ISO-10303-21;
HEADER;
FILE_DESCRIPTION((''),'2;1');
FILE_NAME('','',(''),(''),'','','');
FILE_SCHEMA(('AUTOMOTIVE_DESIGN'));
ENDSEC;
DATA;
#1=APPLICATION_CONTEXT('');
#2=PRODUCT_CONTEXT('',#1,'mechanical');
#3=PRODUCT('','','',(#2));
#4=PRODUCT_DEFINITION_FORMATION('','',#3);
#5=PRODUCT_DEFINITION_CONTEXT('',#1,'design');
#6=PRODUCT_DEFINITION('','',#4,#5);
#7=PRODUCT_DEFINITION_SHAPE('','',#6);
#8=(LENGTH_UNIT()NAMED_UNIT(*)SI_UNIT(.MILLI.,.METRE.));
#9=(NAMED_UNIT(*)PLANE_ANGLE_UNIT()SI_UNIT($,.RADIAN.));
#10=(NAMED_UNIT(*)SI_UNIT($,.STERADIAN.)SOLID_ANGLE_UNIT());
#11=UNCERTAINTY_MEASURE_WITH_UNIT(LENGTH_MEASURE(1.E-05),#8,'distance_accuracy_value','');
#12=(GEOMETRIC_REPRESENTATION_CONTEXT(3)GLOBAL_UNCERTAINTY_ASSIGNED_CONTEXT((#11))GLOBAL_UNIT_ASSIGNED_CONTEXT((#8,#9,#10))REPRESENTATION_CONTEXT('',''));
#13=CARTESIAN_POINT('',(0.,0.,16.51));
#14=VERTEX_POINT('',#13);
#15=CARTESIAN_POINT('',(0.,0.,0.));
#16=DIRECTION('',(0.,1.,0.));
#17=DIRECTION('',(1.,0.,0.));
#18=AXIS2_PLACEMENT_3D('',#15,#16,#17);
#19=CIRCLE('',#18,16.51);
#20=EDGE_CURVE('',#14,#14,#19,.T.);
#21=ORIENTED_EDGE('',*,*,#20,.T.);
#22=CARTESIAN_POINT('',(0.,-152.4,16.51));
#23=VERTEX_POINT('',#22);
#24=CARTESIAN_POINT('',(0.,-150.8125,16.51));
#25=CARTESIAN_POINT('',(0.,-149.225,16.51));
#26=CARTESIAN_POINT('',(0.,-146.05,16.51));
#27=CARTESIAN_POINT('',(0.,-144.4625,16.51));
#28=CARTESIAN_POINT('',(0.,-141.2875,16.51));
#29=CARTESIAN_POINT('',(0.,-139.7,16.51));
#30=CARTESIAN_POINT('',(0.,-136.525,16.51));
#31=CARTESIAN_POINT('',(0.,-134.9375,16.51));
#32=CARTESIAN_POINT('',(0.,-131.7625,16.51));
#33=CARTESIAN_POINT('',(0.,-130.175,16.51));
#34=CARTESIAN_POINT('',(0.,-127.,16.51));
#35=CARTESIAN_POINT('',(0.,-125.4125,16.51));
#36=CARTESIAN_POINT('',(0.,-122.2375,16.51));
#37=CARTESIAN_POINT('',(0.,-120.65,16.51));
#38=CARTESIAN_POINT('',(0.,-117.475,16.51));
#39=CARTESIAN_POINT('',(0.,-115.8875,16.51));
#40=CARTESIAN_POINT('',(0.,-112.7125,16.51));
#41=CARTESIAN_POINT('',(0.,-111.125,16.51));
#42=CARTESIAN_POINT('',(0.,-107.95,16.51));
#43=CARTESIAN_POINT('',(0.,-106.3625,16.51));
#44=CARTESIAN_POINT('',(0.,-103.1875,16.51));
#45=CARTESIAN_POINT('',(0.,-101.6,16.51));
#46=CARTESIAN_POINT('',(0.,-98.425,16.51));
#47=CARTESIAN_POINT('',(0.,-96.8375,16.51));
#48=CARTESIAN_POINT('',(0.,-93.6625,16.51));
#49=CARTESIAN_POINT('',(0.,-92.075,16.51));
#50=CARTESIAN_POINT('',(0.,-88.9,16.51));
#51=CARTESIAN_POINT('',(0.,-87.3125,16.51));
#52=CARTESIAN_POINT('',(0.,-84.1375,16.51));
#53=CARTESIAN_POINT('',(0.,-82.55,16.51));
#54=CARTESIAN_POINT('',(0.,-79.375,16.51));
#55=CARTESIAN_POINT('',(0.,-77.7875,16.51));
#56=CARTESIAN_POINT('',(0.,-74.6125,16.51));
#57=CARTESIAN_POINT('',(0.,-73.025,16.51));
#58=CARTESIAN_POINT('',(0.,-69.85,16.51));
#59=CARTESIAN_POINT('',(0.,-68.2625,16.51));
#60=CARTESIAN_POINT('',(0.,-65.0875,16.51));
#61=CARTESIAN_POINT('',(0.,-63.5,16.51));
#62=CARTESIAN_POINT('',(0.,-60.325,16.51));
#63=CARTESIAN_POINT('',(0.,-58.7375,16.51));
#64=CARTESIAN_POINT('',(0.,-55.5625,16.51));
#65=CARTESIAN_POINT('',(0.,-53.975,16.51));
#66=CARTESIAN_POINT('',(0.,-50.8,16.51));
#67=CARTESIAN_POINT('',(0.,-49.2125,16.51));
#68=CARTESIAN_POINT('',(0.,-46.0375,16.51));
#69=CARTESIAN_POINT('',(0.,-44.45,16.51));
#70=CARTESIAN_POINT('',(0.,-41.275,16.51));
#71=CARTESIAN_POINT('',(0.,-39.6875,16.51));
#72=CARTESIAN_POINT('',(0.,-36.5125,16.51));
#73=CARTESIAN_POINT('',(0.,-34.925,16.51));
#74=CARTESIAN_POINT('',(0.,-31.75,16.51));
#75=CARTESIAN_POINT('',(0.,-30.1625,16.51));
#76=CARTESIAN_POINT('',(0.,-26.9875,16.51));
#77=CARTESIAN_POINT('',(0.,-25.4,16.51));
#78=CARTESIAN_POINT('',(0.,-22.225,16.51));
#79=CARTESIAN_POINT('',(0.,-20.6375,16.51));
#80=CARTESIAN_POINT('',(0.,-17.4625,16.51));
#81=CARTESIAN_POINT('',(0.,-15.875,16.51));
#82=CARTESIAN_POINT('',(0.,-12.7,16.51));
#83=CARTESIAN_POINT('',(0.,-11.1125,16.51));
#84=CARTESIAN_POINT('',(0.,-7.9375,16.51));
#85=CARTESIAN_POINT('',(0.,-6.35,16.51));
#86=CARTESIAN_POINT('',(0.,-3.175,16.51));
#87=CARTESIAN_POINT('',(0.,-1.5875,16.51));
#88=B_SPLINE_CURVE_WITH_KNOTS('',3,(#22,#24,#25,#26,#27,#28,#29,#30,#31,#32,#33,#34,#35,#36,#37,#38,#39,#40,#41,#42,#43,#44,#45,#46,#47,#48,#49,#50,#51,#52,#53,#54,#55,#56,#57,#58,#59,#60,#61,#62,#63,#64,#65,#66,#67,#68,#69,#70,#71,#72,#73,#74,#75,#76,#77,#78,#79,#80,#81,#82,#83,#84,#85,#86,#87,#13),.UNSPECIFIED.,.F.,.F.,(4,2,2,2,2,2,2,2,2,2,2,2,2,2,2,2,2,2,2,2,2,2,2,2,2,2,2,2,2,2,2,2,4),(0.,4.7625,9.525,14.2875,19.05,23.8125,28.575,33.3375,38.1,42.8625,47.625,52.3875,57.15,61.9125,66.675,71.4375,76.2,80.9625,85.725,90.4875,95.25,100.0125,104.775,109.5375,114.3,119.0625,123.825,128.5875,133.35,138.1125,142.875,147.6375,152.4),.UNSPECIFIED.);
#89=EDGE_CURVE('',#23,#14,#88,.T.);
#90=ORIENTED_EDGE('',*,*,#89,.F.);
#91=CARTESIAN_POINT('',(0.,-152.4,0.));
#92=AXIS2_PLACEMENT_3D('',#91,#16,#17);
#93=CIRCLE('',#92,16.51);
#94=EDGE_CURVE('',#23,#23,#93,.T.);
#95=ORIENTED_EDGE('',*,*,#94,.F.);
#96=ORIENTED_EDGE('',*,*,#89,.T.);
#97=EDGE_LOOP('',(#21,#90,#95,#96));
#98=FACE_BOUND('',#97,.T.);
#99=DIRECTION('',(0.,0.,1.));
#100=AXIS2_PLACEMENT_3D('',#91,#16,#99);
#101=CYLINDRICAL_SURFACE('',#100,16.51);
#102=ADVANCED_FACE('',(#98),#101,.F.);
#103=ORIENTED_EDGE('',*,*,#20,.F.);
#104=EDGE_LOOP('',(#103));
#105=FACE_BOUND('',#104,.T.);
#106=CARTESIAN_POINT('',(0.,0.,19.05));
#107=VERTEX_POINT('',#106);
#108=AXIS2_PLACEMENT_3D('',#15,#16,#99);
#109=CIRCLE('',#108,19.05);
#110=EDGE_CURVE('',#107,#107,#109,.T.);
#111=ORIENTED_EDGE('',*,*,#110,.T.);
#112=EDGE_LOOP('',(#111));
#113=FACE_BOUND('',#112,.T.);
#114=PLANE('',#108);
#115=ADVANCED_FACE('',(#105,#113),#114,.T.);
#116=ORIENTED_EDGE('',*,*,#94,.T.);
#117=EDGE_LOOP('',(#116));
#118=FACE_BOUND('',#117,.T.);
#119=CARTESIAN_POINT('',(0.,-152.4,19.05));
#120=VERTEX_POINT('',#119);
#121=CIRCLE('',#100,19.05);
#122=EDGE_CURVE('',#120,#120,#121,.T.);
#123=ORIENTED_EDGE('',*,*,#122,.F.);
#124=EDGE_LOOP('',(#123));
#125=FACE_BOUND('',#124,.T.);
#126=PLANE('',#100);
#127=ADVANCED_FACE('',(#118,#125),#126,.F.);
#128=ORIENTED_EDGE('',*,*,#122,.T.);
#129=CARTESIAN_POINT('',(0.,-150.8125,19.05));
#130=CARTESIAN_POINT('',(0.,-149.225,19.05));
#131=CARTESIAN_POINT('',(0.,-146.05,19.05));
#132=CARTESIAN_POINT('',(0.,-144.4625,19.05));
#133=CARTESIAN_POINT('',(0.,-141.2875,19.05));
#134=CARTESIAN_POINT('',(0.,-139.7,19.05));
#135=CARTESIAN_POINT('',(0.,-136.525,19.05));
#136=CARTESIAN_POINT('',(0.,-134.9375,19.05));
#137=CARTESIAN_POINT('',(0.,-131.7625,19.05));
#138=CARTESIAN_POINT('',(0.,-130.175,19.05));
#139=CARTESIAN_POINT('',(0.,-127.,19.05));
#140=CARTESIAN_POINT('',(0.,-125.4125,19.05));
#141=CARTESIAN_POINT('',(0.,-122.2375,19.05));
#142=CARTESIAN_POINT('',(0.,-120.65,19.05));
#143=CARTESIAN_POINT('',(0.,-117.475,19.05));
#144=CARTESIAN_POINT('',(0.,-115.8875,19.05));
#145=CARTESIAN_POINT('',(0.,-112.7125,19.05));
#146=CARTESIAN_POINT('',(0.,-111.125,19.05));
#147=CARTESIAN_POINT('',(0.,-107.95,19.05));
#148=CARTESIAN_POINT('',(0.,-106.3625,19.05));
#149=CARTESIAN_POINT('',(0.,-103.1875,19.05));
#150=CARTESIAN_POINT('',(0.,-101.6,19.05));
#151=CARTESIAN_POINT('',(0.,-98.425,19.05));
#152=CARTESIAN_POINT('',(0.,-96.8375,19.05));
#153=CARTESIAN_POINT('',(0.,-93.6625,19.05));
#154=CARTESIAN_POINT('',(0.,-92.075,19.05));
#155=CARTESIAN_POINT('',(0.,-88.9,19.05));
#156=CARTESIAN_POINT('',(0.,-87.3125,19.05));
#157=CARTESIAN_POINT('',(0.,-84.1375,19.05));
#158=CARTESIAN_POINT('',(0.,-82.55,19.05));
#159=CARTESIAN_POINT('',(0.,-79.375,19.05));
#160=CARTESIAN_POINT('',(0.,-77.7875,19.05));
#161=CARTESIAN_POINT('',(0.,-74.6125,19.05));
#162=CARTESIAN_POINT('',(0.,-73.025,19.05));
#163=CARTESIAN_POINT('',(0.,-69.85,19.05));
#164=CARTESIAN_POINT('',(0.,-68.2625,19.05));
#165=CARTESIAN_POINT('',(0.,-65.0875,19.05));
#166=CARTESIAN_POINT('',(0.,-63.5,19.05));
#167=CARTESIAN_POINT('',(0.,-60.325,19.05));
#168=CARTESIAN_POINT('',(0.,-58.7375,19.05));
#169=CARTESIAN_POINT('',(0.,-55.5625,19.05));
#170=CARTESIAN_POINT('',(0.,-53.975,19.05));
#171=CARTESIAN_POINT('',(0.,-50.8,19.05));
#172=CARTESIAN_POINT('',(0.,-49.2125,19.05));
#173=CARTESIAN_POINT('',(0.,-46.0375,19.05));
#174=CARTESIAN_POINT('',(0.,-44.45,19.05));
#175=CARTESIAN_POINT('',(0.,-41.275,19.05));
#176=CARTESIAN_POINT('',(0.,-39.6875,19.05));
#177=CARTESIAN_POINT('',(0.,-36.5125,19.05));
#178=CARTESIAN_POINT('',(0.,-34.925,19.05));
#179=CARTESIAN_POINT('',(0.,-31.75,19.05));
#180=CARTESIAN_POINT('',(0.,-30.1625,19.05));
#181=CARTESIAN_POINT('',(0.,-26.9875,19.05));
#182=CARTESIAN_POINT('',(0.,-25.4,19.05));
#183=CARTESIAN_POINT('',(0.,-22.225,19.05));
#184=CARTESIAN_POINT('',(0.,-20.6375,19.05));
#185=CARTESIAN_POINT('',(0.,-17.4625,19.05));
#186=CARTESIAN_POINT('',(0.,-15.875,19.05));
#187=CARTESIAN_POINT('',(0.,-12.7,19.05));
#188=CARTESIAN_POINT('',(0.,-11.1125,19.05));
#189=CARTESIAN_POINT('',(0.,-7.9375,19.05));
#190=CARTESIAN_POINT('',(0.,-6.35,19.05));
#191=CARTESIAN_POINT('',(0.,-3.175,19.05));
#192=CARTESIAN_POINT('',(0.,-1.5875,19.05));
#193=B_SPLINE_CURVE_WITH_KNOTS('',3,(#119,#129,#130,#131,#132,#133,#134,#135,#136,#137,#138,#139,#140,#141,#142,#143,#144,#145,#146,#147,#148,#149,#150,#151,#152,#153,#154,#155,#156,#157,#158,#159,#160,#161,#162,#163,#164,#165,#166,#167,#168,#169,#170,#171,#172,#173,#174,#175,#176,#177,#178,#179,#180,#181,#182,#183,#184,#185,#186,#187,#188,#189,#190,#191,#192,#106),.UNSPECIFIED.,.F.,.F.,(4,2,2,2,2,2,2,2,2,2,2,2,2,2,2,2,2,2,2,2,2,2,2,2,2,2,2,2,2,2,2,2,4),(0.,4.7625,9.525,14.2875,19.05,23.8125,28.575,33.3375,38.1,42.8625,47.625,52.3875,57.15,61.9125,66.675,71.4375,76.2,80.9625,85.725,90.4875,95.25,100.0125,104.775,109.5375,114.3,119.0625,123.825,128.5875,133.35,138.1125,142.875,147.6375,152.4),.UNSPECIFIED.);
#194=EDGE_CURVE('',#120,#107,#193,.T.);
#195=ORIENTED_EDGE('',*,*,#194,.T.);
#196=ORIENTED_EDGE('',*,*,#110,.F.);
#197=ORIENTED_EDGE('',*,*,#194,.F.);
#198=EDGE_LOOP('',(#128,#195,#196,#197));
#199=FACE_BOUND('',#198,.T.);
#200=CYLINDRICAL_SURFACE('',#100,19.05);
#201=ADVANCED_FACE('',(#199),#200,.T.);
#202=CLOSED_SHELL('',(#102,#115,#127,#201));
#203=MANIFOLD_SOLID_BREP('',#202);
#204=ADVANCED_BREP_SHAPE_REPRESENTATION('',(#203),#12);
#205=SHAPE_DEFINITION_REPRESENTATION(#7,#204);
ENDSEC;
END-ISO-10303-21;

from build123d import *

# Parameters (mm, degrees)
SKETCH1_R           = 19.05
SKETCH1_R_2         = 16.51
EXTRUDE_THIN1_DEPTH = 152.4


with BuildPart() as part:
    # Sketch1 → Extrude-Thin1 (new body)
    with BuildSketch(Plane(origin=(0, 0, 0), x_dir=(1, 0, 0), z_dir=(0, 1, 0))):
        Circle(SKETCH1_R)
        Circle(SKETCH1_R_2, mode=Mode.SUBTRACT)
    extrude(amount=-EXTRUDE_THIN1_DEPTH)


solid = part.part
